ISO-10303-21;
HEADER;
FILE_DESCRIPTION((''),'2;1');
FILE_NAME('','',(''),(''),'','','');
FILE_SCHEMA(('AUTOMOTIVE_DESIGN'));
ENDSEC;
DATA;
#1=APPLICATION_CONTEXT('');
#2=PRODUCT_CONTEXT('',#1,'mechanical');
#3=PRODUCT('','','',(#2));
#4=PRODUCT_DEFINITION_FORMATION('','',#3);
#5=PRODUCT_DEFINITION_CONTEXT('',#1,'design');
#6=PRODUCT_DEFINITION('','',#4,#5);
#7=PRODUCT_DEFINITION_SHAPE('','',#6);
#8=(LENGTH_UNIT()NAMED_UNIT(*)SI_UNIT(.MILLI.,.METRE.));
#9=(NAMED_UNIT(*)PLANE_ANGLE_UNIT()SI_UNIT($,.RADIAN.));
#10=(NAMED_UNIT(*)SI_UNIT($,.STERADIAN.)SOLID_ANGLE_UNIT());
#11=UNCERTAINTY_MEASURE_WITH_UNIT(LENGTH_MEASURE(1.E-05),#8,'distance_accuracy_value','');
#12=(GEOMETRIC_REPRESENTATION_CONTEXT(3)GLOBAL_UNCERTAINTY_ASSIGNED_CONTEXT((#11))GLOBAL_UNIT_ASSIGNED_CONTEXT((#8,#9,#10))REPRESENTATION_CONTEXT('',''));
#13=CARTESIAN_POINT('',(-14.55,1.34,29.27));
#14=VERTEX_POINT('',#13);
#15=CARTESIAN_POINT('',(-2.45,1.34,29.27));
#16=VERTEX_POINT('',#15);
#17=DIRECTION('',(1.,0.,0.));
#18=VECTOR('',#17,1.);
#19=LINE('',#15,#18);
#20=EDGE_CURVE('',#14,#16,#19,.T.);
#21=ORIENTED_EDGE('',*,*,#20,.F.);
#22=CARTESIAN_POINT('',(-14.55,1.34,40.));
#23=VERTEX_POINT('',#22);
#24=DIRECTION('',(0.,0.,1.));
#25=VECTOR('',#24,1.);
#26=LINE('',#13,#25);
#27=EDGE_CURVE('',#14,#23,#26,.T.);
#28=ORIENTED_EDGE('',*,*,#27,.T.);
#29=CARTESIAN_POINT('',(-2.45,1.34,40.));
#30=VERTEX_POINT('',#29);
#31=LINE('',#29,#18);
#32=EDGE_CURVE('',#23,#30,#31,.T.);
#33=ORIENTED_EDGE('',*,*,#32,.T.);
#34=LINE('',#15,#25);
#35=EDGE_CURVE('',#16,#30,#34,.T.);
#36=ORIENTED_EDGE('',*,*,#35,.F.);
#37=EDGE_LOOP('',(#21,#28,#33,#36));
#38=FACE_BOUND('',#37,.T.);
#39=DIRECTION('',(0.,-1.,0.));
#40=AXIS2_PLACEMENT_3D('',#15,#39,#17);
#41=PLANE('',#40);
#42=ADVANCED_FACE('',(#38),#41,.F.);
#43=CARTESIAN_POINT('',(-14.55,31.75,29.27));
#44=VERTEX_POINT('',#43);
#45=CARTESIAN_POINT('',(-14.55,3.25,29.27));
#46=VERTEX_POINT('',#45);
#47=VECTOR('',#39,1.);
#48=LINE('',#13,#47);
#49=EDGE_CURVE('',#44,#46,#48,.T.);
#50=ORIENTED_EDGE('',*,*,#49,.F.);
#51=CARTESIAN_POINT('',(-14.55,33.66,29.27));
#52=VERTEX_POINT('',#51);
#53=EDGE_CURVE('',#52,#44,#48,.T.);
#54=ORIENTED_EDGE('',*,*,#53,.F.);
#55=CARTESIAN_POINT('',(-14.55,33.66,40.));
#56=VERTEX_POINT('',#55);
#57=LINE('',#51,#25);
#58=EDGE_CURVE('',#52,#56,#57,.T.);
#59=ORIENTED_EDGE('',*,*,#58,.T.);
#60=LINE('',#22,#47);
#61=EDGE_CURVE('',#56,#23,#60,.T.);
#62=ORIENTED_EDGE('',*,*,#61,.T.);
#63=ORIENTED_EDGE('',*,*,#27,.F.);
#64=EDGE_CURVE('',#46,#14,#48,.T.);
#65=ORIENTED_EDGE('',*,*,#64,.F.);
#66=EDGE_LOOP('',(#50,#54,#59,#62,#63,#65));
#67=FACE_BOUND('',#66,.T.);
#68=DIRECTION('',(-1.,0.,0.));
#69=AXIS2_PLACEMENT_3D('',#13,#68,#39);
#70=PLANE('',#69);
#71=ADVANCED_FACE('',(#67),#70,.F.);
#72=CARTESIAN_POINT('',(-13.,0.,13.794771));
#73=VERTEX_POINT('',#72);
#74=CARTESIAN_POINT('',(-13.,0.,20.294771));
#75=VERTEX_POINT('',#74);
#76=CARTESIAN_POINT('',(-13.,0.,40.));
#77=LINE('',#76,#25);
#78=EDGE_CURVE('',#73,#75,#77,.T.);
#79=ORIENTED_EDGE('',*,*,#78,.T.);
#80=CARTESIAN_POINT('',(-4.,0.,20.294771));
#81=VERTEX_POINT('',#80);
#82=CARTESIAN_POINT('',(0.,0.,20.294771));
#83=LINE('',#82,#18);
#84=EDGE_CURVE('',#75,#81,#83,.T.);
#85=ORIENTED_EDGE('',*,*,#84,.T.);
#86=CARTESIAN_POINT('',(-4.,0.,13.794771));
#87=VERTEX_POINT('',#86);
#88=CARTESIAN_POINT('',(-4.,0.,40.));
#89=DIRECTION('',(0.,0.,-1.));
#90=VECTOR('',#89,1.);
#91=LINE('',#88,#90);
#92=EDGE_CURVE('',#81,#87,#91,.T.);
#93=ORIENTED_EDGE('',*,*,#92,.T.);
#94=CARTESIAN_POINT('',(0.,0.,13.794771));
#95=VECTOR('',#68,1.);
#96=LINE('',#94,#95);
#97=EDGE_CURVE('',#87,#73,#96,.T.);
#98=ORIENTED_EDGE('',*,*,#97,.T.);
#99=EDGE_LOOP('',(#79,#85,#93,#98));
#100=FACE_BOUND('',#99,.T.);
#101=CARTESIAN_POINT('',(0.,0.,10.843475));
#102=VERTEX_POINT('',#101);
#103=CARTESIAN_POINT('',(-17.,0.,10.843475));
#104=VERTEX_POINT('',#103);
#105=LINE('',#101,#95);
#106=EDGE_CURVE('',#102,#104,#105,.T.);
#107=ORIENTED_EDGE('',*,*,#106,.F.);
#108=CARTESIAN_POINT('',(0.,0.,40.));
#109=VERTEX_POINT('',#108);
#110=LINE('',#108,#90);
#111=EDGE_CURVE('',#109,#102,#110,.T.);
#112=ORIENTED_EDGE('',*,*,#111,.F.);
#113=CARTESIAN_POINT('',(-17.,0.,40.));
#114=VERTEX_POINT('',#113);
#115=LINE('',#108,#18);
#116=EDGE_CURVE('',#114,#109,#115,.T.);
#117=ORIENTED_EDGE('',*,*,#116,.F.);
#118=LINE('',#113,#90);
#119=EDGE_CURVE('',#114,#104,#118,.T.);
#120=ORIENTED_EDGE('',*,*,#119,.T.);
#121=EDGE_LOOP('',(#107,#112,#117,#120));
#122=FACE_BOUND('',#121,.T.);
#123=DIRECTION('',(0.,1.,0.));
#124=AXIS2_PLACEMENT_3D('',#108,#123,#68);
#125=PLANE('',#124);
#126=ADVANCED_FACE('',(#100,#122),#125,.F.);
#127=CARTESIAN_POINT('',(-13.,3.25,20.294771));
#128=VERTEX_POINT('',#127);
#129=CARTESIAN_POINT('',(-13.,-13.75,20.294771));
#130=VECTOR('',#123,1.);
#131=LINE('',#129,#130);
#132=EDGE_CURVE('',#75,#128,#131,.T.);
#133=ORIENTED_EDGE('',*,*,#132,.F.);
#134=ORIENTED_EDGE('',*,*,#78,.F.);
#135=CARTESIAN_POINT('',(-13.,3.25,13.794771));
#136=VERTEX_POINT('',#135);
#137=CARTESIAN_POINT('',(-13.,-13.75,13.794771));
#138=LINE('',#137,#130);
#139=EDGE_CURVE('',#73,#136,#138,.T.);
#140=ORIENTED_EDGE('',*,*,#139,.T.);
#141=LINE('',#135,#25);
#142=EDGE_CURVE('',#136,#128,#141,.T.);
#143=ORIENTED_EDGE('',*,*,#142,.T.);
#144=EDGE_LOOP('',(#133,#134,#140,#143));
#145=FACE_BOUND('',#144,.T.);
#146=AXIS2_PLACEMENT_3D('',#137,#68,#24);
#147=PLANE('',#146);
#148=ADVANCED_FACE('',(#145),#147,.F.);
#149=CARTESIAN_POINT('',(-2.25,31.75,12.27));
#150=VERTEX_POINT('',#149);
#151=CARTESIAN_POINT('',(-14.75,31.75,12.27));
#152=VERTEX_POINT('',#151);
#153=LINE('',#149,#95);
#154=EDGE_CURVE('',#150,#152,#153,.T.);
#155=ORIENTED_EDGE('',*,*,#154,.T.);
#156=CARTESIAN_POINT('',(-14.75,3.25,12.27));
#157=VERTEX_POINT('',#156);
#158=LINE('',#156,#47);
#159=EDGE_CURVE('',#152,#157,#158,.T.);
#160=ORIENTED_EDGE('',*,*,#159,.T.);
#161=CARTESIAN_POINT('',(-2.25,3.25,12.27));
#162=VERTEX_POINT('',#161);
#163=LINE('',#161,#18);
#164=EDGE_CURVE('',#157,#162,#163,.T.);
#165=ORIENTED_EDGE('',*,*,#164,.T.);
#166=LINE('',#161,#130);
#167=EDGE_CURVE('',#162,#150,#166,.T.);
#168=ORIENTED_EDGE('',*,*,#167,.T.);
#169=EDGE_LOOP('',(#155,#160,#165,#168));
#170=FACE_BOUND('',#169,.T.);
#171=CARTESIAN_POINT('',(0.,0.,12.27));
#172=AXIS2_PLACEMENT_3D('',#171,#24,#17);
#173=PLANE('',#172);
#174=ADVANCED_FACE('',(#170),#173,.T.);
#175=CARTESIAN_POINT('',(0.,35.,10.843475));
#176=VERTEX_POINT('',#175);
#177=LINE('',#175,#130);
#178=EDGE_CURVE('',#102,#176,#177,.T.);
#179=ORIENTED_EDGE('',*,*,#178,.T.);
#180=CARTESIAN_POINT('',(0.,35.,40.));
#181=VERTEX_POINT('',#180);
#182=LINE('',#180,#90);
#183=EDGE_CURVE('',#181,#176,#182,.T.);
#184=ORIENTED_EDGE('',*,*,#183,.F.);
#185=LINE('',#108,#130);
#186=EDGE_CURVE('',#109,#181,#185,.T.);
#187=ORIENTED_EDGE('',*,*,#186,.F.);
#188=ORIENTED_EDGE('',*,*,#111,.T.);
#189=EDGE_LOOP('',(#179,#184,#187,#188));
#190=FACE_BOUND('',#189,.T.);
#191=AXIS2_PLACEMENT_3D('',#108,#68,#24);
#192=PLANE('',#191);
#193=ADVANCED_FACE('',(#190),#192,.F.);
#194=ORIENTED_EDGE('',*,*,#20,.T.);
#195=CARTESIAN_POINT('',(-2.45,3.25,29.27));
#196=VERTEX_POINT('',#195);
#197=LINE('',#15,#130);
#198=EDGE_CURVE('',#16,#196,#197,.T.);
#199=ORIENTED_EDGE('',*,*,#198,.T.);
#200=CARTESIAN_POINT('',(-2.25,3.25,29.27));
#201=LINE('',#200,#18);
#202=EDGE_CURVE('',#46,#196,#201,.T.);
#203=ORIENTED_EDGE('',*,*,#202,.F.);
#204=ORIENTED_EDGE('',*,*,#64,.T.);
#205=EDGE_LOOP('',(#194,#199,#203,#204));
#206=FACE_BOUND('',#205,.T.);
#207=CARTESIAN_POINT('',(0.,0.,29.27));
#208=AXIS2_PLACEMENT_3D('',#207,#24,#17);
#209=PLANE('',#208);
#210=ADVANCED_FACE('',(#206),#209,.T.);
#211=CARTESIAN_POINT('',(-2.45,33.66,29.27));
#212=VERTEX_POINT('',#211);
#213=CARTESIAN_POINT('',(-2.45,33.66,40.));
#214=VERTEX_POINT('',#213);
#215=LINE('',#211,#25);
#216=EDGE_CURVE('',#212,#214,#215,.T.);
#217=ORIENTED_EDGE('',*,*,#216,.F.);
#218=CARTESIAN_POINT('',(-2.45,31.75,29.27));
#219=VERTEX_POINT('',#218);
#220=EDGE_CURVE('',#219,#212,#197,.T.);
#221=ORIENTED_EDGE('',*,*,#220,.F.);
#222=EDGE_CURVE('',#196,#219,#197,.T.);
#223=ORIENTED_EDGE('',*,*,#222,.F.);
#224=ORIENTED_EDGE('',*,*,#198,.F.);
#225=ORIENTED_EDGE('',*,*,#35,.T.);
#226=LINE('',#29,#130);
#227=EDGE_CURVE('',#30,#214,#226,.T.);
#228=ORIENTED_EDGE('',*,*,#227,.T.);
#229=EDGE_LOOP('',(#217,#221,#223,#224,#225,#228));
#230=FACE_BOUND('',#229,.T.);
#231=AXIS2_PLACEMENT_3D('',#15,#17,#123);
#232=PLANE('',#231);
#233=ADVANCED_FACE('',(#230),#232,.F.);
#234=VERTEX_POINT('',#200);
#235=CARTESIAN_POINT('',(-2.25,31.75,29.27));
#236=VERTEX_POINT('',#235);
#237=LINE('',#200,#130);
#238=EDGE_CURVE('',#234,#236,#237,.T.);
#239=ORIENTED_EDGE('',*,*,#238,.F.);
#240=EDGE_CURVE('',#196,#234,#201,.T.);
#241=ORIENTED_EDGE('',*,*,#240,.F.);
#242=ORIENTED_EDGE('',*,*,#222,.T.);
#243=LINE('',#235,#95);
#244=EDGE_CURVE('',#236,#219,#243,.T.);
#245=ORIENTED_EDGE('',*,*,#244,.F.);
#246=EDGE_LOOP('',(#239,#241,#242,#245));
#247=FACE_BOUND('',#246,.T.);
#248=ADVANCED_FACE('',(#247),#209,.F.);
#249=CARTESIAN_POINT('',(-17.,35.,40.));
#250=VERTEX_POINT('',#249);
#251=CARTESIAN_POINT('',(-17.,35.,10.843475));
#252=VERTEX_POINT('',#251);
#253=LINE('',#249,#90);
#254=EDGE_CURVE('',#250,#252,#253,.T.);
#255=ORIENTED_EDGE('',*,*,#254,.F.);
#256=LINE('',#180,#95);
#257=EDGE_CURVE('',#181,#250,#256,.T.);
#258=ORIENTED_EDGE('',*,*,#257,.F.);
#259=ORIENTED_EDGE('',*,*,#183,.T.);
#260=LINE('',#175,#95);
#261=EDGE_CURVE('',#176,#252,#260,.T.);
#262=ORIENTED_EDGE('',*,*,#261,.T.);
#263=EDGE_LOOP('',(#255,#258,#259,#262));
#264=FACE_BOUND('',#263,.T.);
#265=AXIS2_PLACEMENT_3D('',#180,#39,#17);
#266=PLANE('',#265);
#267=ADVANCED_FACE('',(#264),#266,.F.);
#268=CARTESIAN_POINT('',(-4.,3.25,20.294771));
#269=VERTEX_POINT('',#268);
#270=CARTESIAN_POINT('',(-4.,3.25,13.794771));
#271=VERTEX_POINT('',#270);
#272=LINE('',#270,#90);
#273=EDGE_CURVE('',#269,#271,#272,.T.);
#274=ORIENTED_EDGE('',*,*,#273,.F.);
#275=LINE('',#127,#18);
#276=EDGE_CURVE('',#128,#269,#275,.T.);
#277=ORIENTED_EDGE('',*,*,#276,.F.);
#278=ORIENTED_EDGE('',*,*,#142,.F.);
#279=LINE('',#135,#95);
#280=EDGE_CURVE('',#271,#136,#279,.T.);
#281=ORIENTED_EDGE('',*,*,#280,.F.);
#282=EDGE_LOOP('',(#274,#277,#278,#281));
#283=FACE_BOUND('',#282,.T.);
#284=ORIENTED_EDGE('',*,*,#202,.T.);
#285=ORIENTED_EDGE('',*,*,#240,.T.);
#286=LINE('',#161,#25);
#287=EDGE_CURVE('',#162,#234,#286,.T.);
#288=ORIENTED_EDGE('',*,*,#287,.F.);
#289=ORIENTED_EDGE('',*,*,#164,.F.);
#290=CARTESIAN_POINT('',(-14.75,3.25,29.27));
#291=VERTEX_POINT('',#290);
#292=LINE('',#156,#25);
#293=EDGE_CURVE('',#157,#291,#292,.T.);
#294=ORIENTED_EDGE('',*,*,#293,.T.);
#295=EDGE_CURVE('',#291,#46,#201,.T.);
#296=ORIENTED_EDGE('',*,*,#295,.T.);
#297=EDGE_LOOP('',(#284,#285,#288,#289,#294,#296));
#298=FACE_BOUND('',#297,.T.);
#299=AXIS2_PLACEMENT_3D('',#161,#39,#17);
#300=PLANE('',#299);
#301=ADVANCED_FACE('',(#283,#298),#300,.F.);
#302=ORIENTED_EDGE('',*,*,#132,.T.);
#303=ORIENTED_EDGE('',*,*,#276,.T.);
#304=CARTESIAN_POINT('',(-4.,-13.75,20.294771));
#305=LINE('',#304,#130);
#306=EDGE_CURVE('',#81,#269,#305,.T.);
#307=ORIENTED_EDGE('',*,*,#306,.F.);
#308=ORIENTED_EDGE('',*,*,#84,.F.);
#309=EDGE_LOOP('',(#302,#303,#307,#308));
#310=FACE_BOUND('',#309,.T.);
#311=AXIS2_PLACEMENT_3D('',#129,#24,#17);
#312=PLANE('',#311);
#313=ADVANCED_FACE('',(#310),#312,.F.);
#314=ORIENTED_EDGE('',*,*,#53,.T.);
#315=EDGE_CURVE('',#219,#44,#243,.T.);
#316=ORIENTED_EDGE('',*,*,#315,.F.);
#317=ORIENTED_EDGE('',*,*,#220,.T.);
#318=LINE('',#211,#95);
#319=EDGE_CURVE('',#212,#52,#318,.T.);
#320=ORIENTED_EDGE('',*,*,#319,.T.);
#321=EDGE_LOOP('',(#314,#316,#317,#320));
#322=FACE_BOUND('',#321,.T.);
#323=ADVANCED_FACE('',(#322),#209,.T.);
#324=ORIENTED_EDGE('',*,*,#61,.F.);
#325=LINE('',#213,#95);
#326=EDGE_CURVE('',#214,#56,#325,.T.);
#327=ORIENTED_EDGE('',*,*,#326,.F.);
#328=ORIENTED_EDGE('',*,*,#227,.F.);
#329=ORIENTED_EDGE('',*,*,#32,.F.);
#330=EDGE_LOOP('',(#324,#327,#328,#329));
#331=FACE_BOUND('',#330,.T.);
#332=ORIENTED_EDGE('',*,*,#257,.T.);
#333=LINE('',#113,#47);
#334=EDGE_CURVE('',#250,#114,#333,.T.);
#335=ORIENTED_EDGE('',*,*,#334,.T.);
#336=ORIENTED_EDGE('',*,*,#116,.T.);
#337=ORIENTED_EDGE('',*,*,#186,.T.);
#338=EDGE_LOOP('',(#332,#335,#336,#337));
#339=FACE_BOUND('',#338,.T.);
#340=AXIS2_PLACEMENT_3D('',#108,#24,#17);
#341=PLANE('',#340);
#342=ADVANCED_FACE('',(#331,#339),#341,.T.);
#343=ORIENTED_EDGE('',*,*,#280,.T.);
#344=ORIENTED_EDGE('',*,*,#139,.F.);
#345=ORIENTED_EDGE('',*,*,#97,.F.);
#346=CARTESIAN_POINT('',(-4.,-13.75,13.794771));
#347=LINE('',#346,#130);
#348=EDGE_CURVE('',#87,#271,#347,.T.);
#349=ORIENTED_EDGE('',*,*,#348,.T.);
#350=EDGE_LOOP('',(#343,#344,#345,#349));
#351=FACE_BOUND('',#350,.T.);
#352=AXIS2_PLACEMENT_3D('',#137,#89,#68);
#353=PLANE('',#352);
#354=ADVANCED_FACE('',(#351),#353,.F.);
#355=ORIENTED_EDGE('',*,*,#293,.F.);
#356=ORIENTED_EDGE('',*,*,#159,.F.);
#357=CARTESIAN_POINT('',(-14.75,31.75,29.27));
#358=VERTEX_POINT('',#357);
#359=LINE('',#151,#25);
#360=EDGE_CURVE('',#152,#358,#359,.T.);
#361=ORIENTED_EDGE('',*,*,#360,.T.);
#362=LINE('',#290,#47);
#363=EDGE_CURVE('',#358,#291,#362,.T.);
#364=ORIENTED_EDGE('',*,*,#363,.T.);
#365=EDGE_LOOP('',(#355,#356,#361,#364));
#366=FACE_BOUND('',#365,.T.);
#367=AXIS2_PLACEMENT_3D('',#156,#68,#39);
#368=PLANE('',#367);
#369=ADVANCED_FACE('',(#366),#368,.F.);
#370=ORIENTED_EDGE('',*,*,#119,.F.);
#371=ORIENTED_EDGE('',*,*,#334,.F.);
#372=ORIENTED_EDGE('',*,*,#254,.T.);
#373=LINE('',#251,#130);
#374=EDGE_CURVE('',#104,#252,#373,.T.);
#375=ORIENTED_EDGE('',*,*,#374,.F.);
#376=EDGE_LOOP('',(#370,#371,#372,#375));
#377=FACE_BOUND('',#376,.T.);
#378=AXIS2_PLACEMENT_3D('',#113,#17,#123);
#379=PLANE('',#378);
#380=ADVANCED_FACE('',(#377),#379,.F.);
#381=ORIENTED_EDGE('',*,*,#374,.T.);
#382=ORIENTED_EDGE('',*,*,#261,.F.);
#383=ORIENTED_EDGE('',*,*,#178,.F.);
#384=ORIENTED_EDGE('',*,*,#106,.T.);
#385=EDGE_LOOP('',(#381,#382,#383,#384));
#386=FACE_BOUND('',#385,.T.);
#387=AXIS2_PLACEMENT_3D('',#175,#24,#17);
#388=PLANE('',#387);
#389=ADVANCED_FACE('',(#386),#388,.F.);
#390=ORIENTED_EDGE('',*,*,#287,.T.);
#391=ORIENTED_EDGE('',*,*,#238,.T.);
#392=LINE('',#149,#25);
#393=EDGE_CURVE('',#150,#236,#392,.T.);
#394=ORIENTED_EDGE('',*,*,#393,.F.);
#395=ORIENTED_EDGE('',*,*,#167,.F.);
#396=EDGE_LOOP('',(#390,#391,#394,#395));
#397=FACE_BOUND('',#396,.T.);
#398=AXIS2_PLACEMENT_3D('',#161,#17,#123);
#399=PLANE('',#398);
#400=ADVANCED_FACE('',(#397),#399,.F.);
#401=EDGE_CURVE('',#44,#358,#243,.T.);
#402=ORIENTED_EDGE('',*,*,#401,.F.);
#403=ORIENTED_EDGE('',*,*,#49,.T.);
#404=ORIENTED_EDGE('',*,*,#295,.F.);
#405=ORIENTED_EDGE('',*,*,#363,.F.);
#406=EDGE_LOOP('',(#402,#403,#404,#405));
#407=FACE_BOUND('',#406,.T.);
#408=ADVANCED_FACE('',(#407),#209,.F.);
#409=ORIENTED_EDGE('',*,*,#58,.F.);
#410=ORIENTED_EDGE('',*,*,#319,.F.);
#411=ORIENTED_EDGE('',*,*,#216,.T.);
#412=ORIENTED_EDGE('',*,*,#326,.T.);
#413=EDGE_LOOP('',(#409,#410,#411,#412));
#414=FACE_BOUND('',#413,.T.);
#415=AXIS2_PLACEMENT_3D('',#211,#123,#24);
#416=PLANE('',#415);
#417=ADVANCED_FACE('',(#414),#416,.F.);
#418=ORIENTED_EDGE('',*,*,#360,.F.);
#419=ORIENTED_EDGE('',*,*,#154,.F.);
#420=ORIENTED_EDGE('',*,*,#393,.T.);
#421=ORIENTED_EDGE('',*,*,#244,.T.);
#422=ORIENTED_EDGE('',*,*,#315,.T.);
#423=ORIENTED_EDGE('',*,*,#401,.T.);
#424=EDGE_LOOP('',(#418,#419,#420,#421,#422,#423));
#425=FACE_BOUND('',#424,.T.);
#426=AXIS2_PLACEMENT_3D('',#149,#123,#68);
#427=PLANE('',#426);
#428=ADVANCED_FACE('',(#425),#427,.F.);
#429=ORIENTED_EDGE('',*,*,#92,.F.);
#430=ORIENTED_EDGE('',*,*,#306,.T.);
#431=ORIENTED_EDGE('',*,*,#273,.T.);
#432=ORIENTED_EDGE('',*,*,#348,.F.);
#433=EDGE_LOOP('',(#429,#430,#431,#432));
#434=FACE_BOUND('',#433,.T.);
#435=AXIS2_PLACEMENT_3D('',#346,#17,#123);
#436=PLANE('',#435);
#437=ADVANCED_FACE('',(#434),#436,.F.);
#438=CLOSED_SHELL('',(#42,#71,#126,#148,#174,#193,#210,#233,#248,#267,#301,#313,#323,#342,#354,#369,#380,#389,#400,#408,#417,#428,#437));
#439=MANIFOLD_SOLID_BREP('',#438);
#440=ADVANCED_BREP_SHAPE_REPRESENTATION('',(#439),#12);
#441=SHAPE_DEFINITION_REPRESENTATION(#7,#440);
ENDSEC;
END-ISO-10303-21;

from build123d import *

# Parameters (mm, degrees)
SKETCH2_W           = 17
SKETCH2_H           = 35
BOSS_EXTRUDE1_DEPTH = 40
SKETCH3_W           = 12.1
SKETCH3_H           = 32.32
CUT_EXTRUDE1_DEPTH  = 10.73
SKETCH4_W           = 12.5
SKETCH4_H           = 28.5
CUT_EXTRUDE2_DEPTH  = 17
SKETCH6_W           = 9
SKETCH6_H           = 6.5
CUT_EXTRUDE3_DEPTH  = 17
SKETCH7_W           = 10.843475329
SKETCH7_H           = 35
CUT_EXTRUDE4_DEPTH  = 56.803225713


with BuildPart() as part:
    # Sketch2 → Boss-Extrude1 (new body)
    with BuildSketch(Plane.XY):
        with Locations((-8.5, 17.5)):
            Rectangle(SKETCH2_W, SKETCH2_H)
    extrude(amount=BOSS_EXTRUDE1_DEPTH)

    # Sketch3 → Cut-Extrude1 (cut)
    with BuildSketch(Plane.XY.offset(40)):
        with Locations((-8.5, 17.5)):
            Rectangle(SKETCH3_W, SKETCH3_H)
    extrude(amount=-CUT_EXTRUDE1_DEPTH, mode=Mode.SUBTRACT)

    # Sketch4 → Cut-Extrude2 (cut)
    with BuildSketch(Plane.XY.offset(29.27)):
        with Locations((-8.5, 17.5)):
            Rectangle(SKETCH4_W, SKETCH4_H)
    extrude(amount=-CUT_EXTRUDE2_DEPTH, mode=Mode.SUBTRACT)

    # Sketch6 → Cut-Extrude3 (cut)
    with BuildSketch(Plane(origin=(0, 3.25, 0), x_dir=(1, 0, 0), z_dir=(0, 1, 0))):
        with Locations((-8.5, -17.044771265)):
            Rectangle(SKETCH6_W, SKETCH6_H)
    extrude(amount=-CUT_EXTRUDE3_DEPTH, mode=Mode.SUBTRACT)

    # Sketch7 → Cut-Extrude4 (cut, through all)
    with BuildSketch(Plane.ZY.offset(17)):
        with Locations((5.421737665, 17.5)):
            Rectangle(SKETCH7_W, SKETCH7_H)
    extrude(amount=-CUT_EXTRUDE4_DEPTH, mode=Mode.SUBTRACT)


solid = part.part
